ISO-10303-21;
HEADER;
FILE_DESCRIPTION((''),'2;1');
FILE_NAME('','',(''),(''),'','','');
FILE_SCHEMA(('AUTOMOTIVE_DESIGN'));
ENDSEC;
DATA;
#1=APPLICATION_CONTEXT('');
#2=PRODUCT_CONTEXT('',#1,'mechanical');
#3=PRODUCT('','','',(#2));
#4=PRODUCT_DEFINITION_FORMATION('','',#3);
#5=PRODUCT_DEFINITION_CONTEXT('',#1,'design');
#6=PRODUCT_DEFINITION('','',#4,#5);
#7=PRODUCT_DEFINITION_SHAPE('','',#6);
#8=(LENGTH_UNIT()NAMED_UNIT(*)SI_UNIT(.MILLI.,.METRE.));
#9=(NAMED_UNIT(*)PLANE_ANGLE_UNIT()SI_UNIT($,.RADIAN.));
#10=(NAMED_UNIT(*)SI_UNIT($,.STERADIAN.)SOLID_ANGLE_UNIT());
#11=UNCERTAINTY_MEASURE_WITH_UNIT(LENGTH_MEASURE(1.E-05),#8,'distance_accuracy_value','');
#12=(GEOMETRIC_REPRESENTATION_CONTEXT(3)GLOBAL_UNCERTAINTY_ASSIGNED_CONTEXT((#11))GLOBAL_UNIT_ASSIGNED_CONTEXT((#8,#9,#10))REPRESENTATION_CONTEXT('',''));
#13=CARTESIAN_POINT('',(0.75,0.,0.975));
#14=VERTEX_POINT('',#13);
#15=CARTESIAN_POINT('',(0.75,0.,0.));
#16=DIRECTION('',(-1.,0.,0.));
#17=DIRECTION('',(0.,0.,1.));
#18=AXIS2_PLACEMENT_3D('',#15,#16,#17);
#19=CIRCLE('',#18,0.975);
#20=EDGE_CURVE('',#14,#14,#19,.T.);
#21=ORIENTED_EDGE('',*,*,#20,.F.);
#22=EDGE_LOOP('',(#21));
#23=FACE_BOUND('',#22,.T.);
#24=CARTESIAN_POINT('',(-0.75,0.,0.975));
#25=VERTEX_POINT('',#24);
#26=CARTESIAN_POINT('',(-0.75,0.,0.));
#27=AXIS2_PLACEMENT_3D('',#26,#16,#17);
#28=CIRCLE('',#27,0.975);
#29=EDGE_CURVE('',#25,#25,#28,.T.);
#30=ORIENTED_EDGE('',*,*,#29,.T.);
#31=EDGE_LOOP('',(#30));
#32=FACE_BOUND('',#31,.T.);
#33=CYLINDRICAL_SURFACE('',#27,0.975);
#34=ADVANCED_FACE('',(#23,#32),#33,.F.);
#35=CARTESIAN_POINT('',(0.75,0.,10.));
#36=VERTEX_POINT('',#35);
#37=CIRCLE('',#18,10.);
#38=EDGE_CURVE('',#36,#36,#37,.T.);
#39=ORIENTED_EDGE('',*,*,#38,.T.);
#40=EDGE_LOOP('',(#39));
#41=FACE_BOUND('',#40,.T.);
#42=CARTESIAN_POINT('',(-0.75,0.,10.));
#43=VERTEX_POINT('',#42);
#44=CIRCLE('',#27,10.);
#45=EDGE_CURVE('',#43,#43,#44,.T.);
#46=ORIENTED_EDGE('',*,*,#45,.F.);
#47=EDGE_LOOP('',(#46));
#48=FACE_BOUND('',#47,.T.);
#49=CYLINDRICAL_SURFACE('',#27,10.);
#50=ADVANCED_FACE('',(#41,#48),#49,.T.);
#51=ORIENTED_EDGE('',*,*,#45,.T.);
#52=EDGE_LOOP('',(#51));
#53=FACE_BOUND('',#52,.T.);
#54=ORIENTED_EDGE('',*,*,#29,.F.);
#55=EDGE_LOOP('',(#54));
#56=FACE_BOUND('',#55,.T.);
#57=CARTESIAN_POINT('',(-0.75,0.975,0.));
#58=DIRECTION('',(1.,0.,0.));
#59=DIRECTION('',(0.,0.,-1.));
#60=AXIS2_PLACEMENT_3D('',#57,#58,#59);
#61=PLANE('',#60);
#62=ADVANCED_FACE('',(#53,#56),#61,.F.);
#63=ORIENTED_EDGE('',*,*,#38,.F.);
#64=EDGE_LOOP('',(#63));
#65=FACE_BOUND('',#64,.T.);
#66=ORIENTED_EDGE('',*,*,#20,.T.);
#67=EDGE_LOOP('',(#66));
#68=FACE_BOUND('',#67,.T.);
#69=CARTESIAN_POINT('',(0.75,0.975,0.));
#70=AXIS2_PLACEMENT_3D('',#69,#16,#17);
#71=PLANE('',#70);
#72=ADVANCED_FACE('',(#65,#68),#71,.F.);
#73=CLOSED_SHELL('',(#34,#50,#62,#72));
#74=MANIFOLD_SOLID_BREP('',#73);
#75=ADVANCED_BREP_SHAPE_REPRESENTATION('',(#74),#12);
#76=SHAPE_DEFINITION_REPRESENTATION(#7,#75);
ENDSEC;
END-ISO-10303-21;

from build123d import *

# Parameters (mm, degrees)
SKETCH1_W = 1.5
SKETCH1_H = 9.025


with BuildPart() as part:
    # Sketch1 → Revolve1 (revolve)
    with BuildSketch(Plane.XY, mode=Mode.PRIVATE) as revolve1_sk:
        with Locations((0, 5.4875)):
            Rectangle(SKETCH1_W, SKETCH1_H)
    revolve(revolve1_sk.sketch.rotate(Axis((-0.75, 0, 0), (1, 0, 0)), 90), axis=Axis((-0.75, 0, 0), (1, 0, 0)))


solid = part.part
